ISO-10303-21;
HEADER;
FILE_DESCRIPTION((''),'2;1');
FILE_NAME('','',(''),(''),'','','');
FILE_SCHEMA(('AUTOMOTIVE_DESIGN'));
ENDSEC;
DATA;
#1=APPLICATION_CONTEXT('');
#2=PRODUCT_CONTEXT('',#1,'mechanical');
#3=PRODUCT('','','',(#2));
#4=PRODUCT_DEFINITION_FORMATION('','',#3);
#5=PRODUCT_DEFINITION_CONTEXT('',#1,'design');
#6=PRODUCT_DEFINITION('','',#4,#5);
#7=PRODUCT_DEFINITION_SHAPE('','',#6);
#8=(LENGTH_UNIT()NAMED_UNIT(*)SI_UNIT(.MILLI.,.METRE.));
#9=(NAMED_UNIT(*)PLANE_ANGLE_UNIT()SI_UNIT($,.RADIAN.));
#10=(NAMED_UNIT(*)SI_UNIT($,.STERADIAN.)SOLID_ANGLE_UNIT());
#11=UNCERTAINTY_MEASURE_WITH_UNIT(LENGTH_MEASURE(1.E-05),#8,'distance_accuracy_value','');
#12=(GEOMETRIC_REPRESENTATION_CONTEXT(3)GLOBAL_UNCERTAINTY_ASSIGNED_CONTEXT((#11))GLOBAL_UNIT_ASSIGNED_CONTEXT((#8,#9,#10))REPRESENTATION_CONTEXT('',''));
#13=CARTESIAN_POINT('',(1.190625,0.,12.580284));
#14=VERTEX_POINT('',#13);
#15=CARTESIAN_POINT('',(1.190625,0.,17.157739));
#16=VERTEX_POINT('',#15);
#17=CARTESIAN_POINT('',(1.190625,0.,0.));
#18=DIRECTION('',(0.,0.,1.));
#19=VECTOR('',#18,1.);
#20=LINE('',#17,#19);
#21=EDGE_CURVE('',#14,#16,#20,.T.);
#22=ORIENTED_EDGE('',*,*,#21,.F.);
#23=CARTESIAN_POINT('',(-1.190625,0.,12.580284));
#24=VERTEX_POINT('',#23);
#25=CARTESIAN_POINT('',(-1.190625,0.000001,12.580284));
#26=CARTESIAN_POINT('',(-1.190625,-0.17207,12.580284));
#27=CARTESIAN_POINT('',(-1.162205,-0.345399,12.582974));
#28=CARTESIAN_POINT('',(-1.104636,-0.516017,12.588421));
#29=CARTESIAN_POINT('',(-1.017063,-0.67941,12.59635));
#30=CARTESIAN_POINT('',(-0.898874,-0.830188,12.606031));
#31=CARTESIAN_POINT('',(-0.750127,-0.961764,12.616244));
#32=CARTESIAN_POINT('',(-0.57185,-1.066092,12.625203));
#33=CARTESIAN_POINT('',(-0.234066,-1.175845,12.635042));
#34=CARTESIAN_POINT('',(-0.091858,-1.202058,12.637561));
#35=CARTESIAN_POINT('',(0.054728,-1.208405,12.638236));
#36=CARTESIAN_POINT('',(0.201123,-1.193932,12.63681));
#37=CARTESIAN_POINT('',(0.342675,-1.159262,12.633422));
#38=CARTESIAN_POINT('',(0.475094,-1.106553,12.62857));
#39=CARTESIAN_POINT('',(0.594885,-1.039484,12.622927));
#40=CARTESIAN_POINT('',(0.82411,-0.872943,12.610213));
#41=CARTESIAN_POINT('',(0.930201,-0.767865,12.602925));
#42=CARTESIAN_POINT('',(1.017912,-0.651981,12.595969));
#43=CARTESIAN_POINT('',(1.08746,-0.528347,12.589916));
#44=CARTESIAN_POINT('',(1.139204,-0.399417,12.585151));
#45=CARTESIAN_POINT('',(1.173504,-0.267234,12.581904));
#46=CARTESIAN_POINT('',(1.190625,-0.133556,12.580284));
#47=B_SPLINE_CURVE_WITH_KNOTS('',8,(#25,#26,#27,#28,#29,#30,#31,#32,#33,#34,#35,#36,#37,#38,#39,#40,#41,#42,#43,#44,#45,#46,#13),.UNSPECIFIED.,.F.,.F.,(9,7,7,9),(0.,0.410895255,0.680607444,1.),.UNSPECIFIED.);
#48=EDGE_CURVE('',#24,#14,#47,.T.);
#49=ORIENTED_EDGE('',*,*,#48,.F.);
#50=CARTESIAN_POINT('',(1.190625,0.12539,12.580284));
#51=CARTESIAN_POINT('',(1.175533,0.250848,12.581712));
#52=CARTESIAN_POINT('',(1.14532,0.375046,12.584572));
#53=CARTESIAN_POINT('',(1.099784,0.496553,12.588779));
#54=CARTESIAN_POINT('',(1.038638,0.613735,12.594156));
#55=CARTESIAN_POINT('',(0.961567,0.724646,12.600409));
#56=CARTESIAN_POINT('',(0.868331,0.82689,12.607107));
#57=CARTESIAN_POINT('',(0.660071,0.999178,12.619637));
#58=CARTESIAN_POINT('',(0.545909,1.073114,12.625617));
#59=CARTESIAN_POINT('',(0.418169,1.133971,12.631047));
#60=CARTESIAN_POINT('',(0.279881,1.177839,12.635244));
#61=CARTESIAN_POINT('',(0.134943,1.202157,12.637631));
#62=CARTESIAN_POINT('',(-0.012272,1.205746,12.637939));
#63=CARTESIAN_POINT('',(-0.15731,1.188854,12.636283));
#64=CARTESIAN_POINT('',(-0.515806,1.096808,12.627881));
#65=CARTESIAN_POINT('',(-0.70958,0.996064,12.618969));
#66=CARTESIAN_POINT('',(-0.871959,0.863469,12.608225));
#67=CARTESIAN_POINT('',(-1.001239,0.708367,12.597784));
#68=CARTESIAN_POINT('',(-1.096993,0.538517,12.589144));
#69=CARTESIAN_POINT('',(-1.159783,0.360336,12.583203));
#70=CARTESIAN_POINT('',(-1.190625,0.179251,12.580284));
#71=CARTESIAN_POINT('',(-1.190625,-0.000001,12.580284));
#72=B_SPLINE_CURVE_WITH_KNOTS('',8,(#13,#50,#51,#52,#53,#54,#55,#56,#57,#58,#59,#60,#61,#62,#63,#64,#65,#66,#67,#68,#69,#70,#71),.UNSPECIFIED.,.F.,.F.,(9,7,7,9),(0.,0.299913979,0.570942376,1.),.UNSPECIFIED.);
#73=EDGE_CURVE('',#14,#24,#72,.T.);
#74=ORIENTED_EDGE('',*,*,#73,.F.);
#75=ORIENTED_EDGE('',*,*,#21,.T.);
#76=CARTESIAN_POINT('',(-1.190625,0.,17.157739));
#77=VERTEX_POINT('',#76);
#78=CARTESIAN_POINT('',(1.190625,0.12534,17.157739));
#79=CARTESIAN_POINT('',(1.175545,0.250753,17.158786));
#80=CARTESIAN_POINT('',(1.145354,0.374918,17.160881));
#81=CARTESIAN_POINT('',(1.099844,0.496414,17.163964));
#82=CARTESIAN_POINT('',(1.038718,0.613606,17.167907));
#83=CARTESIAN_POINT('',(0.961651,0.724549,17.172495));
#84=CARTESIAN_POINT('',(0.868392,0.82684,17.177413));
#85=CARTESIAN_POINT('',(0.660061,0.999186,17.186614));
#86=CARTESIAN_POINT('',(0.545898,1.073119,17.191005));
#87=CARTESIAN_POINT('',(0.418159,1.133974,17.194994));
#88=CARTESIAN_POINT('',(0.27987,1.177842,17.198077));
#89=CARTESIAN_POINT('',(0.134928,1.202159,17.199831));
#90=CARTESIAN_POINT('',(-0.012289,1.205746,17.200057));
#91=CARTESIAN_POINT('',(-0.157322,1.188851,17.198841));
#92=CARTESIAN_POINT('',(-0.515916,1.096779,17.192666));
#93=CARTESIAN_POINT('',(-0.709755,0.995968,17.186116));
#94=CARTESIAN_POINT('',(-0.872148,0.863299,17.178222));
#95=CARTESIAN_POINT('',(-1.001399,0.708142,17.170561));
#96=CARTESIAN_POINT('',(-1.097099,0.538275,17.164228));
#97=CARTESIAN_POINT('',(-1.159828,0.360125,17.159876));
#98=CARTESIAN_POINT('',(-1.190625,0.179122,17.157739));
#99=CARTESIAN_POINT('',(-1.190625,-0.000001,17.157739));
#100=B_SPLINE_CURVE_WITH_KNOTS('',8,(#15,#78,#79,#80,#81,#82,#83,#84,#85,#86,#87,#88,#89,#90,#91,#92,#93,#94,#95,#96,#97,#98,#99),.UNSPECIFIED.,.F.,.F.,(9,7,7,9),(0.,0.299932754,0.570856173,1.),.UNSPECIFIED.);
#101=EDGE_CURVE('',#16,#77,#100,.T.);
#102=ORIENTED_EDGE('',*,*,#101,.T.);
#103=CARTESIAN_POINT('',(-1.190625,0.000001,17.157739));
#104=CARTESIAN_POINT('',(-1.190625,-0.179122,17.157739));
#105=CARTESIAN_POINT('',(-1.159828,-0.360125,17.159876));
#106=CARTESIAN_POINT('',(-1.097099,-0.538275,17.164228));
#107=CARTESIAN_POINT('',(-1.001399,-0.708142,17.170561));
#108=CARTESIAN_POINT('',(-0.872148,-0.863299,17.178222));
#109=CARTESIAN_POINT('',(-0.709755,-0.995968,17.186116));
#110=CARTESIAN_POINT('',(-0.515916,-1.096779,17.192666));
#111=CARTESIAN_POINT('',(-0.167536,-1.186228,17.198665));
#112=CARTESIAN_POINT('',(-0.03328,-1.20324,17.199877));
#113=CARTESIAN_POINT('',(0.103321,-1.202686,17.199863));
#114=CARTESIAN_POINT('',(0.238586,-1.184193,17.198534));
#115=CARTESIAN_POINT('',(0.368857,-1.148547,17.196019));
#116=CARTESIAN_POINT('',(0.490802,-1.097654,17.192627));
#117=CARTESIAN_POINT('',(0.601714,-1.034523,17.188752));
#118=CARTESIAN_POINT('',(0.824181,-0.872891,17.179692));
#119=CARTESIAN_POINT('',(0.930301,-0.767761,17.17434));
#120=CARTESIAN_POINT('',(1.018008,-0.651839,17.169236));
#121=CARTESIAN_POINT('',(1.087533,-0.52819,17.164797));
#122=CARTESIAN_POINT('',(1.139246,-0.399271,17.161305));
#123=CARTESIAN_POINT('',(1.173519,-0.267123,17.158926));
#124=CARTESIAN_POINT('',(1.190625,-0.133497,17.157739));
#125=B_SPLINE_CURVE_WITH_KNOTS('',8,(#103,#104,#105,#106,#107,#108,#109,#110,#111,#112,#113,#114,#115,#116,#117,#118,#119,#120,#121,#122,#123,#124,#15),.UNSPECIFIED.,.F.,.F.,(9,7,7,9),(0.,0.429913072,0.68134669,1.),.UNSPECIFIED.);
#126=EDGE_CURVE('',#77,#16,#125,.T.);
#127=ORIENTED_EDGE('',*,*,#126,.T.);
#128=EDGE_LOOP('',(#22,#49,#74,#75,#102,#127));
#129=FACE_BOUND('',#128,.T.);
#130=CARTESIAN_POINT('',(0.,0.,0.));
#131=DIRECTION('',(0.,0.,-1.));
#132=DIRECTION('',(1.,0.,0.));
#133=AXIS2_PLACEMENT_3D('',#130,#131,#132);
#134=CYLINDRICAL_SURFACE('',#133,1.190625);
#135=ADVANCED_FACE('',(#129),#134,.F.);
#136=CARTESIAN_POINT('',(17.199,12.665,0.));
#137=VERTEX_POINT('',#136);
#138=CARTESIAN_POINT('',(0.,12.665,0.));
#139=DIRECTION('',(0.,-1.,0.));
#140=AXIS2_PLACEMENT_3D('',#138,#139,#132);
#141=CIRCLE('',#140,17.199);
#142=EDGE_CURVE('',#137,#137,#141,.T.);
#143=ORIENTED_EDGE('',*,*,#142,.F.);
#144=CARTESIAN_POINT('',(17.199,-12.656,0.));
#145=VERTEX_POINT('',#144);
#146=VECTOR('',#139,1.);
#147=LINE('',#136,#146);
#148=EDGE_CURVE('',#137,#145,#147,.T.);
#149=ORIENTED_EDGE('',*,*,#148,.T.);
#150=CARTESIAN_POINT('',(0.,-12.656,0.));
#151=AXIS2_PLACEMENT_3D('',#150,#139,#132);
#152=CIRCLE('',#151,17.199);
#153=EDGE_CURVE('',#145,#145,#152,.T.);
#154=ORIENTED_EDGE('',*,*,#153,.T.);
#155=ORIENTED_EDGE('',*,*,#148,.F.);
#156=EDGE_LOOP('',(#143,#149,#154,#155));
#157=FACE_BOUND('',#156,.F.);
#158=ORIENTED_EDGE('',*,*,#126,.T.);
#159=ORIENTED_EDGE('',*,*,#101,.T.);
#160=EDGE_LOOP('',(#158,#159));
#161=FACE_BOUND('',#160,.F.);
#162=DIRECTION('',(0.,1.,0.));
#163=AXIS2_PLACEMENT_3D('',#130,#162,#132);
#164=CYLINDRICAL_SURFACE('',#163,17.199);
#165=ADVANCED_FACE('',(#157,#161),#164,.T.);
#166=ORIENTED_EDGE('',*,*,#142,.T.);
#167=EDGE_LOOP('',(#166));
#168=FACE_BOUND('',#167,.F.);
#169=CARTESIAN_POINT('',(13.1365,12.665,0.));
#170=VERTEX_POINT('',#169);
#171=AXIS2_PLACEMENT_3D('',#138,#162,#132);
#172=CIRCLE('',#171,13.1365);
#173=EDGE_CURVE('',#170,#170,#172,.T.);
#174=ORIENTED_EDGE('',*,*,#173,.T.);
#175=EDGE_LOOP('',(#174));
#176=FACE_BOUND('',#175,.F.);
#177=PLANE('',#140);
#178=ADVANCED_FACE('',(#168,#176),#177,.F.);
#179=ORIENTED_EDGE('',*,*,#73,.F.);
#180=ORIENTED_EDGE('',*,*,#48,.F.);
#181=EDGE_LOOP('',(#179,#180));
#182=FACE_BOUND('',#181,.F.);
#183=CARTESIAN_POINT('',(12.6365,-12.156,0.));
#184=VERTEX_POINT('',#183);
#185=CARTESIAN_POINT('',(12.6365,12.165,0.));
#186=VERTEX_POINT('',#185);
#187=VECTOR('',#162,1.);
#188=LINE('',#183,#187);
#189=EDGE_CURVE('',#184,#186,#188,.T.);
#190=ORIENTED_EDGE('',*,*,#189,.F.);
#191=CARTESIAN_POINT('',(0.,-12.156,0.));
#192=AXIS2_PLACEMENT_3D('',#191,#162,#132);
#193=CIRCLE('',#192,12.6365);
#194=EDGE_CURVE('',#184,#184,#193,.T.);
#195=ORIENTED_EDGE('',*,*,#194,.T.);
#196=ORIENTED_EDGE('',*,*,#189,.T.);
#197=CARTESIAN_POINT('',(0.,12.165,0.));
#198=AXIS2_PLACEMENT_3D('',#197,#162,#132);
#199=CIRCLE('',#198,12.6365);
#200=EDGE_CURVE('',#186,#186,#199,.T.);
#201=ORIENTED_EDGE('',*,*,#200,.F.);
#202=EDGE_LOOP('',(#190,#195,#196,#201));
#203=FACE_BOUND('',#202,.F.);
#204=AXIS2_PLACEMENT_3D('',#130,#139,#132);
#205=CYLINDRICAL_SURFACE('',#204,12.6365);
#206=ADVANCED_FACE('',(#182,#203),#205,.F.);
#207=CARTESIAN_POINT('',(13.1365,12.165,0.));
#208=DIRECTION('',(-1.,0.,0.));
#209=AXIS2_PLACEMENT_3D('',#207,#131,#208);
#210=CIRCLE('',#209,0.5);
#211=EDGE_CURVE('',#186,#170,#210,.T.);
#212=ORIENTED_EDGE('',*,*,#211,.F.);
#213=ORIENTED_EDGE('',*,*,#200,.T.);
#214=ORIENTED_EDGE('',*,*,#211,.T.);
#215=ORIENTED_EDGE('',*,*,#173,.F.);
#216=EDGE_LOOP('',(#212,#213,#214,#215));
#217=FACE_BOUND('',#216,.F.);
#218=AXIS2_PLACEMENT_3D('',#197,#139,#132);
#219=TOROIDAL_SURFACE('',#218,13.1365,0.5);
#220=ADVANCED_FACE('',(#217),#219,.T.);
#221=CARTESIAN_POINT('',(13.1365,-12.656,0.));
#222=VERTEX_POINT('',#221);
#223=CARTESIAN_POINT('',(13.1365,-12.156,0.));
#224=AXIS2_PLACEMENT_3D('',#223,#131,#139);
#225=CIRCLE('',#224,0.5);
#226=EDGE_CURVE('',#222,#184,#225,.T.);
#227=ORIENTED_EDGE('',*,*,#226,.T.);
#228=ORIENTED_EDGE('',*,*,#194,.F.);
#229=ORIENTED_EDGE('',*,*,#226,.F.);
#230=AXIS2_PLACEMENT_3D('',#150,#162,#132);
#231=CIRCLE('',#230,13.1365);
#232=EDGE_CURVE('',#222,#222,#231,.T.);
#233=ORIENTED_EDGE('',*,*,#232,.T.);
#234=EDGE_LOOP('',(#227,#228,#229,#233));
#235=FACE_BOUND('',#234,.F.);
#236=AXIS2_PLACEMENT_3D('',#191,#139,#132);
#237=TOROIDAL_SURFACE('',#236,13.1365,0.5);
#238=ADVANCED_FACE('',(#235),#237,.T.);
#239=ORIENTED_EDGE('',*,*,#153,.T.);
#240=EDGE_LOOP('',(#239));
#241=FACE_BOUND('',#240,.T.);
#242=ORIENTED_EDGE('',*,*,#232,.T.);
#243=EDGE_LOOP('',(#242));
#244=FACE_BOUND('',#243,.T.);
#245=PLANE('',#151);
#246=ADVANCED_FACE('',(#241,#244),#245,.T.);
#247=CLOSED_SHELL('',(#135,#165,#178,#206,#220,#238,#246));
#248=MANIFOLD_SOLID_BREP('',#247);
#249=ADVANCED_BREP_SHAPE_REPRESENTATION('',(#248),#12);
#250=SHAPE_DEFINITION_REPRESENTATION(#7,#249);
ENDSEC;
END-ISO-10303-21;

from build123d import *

# Parameters (mm, degrees)
F2_R          = 17.199
F2_R_2        = 12.6365
F3_DEPTH      = 12.665
F3_DEPTH_BACK = 12.656
F5_R          = 1.190625
F6_DEPTH      = 17.2


with BuildPart() as f1:
    # F0 (on Top) → F1 (revolve)
    with BuildSketch(Plane.XY):
        with BuildLine():
            Line((13.1365, 12.665), (17.399, 12.665))
            Line((17.399, 12.665), (17.399, 14.165))
            Line((17.399, 14.165), (11.1365, 14.165))
            Line((11.1365, 14.165), (11.1365, -14.156))
            Line((11.1365, -14.156), (17.399, -14.156))
            Line((17.399, -14.156), (17.399, -12.656))
            Line((17.399, -12.656), (13.1365, -12.656))
            ThreePointArc((13.1365, -12.656), (12.7829466094, -12.5095533906), (12.6365, -12.156))
            Line((12.6365, -12.156), (12.6365, 12.165))
            ThreePointArc((12.6365, 12.165), (12.7829466094, 12.5185533906), (13.1365, 12.665))
        make_face()
    revolve(axis=Axis((0, 2.8540128842, 0), (0, 1, 0)))


with BuildPart() as f3:
    # F2 (on Front) → F3 (new body, two sides)
    with BuildSketch(Plane.XZ) as f3_sk:
        Circle(F2_R)
        Circle(F2_R_2, mode=Mode.SUBTRACT)
    extrude(amount=-F3_DEPTH)
    extrude(f3_sk.sketch, amount=F3_DEPTH_BACK)

    # F4: cut F1
    add(f1.part, mode=Mode.SUBTRACT)

    # F5 (on Top) → F6 (cut, through all)
    with BuildSketch(Plane.XY):
        Circle(F5_R)
    extrude(amount=F6_DEPTH, mode=Mode.SUBTRACT)


solid = f3.part
